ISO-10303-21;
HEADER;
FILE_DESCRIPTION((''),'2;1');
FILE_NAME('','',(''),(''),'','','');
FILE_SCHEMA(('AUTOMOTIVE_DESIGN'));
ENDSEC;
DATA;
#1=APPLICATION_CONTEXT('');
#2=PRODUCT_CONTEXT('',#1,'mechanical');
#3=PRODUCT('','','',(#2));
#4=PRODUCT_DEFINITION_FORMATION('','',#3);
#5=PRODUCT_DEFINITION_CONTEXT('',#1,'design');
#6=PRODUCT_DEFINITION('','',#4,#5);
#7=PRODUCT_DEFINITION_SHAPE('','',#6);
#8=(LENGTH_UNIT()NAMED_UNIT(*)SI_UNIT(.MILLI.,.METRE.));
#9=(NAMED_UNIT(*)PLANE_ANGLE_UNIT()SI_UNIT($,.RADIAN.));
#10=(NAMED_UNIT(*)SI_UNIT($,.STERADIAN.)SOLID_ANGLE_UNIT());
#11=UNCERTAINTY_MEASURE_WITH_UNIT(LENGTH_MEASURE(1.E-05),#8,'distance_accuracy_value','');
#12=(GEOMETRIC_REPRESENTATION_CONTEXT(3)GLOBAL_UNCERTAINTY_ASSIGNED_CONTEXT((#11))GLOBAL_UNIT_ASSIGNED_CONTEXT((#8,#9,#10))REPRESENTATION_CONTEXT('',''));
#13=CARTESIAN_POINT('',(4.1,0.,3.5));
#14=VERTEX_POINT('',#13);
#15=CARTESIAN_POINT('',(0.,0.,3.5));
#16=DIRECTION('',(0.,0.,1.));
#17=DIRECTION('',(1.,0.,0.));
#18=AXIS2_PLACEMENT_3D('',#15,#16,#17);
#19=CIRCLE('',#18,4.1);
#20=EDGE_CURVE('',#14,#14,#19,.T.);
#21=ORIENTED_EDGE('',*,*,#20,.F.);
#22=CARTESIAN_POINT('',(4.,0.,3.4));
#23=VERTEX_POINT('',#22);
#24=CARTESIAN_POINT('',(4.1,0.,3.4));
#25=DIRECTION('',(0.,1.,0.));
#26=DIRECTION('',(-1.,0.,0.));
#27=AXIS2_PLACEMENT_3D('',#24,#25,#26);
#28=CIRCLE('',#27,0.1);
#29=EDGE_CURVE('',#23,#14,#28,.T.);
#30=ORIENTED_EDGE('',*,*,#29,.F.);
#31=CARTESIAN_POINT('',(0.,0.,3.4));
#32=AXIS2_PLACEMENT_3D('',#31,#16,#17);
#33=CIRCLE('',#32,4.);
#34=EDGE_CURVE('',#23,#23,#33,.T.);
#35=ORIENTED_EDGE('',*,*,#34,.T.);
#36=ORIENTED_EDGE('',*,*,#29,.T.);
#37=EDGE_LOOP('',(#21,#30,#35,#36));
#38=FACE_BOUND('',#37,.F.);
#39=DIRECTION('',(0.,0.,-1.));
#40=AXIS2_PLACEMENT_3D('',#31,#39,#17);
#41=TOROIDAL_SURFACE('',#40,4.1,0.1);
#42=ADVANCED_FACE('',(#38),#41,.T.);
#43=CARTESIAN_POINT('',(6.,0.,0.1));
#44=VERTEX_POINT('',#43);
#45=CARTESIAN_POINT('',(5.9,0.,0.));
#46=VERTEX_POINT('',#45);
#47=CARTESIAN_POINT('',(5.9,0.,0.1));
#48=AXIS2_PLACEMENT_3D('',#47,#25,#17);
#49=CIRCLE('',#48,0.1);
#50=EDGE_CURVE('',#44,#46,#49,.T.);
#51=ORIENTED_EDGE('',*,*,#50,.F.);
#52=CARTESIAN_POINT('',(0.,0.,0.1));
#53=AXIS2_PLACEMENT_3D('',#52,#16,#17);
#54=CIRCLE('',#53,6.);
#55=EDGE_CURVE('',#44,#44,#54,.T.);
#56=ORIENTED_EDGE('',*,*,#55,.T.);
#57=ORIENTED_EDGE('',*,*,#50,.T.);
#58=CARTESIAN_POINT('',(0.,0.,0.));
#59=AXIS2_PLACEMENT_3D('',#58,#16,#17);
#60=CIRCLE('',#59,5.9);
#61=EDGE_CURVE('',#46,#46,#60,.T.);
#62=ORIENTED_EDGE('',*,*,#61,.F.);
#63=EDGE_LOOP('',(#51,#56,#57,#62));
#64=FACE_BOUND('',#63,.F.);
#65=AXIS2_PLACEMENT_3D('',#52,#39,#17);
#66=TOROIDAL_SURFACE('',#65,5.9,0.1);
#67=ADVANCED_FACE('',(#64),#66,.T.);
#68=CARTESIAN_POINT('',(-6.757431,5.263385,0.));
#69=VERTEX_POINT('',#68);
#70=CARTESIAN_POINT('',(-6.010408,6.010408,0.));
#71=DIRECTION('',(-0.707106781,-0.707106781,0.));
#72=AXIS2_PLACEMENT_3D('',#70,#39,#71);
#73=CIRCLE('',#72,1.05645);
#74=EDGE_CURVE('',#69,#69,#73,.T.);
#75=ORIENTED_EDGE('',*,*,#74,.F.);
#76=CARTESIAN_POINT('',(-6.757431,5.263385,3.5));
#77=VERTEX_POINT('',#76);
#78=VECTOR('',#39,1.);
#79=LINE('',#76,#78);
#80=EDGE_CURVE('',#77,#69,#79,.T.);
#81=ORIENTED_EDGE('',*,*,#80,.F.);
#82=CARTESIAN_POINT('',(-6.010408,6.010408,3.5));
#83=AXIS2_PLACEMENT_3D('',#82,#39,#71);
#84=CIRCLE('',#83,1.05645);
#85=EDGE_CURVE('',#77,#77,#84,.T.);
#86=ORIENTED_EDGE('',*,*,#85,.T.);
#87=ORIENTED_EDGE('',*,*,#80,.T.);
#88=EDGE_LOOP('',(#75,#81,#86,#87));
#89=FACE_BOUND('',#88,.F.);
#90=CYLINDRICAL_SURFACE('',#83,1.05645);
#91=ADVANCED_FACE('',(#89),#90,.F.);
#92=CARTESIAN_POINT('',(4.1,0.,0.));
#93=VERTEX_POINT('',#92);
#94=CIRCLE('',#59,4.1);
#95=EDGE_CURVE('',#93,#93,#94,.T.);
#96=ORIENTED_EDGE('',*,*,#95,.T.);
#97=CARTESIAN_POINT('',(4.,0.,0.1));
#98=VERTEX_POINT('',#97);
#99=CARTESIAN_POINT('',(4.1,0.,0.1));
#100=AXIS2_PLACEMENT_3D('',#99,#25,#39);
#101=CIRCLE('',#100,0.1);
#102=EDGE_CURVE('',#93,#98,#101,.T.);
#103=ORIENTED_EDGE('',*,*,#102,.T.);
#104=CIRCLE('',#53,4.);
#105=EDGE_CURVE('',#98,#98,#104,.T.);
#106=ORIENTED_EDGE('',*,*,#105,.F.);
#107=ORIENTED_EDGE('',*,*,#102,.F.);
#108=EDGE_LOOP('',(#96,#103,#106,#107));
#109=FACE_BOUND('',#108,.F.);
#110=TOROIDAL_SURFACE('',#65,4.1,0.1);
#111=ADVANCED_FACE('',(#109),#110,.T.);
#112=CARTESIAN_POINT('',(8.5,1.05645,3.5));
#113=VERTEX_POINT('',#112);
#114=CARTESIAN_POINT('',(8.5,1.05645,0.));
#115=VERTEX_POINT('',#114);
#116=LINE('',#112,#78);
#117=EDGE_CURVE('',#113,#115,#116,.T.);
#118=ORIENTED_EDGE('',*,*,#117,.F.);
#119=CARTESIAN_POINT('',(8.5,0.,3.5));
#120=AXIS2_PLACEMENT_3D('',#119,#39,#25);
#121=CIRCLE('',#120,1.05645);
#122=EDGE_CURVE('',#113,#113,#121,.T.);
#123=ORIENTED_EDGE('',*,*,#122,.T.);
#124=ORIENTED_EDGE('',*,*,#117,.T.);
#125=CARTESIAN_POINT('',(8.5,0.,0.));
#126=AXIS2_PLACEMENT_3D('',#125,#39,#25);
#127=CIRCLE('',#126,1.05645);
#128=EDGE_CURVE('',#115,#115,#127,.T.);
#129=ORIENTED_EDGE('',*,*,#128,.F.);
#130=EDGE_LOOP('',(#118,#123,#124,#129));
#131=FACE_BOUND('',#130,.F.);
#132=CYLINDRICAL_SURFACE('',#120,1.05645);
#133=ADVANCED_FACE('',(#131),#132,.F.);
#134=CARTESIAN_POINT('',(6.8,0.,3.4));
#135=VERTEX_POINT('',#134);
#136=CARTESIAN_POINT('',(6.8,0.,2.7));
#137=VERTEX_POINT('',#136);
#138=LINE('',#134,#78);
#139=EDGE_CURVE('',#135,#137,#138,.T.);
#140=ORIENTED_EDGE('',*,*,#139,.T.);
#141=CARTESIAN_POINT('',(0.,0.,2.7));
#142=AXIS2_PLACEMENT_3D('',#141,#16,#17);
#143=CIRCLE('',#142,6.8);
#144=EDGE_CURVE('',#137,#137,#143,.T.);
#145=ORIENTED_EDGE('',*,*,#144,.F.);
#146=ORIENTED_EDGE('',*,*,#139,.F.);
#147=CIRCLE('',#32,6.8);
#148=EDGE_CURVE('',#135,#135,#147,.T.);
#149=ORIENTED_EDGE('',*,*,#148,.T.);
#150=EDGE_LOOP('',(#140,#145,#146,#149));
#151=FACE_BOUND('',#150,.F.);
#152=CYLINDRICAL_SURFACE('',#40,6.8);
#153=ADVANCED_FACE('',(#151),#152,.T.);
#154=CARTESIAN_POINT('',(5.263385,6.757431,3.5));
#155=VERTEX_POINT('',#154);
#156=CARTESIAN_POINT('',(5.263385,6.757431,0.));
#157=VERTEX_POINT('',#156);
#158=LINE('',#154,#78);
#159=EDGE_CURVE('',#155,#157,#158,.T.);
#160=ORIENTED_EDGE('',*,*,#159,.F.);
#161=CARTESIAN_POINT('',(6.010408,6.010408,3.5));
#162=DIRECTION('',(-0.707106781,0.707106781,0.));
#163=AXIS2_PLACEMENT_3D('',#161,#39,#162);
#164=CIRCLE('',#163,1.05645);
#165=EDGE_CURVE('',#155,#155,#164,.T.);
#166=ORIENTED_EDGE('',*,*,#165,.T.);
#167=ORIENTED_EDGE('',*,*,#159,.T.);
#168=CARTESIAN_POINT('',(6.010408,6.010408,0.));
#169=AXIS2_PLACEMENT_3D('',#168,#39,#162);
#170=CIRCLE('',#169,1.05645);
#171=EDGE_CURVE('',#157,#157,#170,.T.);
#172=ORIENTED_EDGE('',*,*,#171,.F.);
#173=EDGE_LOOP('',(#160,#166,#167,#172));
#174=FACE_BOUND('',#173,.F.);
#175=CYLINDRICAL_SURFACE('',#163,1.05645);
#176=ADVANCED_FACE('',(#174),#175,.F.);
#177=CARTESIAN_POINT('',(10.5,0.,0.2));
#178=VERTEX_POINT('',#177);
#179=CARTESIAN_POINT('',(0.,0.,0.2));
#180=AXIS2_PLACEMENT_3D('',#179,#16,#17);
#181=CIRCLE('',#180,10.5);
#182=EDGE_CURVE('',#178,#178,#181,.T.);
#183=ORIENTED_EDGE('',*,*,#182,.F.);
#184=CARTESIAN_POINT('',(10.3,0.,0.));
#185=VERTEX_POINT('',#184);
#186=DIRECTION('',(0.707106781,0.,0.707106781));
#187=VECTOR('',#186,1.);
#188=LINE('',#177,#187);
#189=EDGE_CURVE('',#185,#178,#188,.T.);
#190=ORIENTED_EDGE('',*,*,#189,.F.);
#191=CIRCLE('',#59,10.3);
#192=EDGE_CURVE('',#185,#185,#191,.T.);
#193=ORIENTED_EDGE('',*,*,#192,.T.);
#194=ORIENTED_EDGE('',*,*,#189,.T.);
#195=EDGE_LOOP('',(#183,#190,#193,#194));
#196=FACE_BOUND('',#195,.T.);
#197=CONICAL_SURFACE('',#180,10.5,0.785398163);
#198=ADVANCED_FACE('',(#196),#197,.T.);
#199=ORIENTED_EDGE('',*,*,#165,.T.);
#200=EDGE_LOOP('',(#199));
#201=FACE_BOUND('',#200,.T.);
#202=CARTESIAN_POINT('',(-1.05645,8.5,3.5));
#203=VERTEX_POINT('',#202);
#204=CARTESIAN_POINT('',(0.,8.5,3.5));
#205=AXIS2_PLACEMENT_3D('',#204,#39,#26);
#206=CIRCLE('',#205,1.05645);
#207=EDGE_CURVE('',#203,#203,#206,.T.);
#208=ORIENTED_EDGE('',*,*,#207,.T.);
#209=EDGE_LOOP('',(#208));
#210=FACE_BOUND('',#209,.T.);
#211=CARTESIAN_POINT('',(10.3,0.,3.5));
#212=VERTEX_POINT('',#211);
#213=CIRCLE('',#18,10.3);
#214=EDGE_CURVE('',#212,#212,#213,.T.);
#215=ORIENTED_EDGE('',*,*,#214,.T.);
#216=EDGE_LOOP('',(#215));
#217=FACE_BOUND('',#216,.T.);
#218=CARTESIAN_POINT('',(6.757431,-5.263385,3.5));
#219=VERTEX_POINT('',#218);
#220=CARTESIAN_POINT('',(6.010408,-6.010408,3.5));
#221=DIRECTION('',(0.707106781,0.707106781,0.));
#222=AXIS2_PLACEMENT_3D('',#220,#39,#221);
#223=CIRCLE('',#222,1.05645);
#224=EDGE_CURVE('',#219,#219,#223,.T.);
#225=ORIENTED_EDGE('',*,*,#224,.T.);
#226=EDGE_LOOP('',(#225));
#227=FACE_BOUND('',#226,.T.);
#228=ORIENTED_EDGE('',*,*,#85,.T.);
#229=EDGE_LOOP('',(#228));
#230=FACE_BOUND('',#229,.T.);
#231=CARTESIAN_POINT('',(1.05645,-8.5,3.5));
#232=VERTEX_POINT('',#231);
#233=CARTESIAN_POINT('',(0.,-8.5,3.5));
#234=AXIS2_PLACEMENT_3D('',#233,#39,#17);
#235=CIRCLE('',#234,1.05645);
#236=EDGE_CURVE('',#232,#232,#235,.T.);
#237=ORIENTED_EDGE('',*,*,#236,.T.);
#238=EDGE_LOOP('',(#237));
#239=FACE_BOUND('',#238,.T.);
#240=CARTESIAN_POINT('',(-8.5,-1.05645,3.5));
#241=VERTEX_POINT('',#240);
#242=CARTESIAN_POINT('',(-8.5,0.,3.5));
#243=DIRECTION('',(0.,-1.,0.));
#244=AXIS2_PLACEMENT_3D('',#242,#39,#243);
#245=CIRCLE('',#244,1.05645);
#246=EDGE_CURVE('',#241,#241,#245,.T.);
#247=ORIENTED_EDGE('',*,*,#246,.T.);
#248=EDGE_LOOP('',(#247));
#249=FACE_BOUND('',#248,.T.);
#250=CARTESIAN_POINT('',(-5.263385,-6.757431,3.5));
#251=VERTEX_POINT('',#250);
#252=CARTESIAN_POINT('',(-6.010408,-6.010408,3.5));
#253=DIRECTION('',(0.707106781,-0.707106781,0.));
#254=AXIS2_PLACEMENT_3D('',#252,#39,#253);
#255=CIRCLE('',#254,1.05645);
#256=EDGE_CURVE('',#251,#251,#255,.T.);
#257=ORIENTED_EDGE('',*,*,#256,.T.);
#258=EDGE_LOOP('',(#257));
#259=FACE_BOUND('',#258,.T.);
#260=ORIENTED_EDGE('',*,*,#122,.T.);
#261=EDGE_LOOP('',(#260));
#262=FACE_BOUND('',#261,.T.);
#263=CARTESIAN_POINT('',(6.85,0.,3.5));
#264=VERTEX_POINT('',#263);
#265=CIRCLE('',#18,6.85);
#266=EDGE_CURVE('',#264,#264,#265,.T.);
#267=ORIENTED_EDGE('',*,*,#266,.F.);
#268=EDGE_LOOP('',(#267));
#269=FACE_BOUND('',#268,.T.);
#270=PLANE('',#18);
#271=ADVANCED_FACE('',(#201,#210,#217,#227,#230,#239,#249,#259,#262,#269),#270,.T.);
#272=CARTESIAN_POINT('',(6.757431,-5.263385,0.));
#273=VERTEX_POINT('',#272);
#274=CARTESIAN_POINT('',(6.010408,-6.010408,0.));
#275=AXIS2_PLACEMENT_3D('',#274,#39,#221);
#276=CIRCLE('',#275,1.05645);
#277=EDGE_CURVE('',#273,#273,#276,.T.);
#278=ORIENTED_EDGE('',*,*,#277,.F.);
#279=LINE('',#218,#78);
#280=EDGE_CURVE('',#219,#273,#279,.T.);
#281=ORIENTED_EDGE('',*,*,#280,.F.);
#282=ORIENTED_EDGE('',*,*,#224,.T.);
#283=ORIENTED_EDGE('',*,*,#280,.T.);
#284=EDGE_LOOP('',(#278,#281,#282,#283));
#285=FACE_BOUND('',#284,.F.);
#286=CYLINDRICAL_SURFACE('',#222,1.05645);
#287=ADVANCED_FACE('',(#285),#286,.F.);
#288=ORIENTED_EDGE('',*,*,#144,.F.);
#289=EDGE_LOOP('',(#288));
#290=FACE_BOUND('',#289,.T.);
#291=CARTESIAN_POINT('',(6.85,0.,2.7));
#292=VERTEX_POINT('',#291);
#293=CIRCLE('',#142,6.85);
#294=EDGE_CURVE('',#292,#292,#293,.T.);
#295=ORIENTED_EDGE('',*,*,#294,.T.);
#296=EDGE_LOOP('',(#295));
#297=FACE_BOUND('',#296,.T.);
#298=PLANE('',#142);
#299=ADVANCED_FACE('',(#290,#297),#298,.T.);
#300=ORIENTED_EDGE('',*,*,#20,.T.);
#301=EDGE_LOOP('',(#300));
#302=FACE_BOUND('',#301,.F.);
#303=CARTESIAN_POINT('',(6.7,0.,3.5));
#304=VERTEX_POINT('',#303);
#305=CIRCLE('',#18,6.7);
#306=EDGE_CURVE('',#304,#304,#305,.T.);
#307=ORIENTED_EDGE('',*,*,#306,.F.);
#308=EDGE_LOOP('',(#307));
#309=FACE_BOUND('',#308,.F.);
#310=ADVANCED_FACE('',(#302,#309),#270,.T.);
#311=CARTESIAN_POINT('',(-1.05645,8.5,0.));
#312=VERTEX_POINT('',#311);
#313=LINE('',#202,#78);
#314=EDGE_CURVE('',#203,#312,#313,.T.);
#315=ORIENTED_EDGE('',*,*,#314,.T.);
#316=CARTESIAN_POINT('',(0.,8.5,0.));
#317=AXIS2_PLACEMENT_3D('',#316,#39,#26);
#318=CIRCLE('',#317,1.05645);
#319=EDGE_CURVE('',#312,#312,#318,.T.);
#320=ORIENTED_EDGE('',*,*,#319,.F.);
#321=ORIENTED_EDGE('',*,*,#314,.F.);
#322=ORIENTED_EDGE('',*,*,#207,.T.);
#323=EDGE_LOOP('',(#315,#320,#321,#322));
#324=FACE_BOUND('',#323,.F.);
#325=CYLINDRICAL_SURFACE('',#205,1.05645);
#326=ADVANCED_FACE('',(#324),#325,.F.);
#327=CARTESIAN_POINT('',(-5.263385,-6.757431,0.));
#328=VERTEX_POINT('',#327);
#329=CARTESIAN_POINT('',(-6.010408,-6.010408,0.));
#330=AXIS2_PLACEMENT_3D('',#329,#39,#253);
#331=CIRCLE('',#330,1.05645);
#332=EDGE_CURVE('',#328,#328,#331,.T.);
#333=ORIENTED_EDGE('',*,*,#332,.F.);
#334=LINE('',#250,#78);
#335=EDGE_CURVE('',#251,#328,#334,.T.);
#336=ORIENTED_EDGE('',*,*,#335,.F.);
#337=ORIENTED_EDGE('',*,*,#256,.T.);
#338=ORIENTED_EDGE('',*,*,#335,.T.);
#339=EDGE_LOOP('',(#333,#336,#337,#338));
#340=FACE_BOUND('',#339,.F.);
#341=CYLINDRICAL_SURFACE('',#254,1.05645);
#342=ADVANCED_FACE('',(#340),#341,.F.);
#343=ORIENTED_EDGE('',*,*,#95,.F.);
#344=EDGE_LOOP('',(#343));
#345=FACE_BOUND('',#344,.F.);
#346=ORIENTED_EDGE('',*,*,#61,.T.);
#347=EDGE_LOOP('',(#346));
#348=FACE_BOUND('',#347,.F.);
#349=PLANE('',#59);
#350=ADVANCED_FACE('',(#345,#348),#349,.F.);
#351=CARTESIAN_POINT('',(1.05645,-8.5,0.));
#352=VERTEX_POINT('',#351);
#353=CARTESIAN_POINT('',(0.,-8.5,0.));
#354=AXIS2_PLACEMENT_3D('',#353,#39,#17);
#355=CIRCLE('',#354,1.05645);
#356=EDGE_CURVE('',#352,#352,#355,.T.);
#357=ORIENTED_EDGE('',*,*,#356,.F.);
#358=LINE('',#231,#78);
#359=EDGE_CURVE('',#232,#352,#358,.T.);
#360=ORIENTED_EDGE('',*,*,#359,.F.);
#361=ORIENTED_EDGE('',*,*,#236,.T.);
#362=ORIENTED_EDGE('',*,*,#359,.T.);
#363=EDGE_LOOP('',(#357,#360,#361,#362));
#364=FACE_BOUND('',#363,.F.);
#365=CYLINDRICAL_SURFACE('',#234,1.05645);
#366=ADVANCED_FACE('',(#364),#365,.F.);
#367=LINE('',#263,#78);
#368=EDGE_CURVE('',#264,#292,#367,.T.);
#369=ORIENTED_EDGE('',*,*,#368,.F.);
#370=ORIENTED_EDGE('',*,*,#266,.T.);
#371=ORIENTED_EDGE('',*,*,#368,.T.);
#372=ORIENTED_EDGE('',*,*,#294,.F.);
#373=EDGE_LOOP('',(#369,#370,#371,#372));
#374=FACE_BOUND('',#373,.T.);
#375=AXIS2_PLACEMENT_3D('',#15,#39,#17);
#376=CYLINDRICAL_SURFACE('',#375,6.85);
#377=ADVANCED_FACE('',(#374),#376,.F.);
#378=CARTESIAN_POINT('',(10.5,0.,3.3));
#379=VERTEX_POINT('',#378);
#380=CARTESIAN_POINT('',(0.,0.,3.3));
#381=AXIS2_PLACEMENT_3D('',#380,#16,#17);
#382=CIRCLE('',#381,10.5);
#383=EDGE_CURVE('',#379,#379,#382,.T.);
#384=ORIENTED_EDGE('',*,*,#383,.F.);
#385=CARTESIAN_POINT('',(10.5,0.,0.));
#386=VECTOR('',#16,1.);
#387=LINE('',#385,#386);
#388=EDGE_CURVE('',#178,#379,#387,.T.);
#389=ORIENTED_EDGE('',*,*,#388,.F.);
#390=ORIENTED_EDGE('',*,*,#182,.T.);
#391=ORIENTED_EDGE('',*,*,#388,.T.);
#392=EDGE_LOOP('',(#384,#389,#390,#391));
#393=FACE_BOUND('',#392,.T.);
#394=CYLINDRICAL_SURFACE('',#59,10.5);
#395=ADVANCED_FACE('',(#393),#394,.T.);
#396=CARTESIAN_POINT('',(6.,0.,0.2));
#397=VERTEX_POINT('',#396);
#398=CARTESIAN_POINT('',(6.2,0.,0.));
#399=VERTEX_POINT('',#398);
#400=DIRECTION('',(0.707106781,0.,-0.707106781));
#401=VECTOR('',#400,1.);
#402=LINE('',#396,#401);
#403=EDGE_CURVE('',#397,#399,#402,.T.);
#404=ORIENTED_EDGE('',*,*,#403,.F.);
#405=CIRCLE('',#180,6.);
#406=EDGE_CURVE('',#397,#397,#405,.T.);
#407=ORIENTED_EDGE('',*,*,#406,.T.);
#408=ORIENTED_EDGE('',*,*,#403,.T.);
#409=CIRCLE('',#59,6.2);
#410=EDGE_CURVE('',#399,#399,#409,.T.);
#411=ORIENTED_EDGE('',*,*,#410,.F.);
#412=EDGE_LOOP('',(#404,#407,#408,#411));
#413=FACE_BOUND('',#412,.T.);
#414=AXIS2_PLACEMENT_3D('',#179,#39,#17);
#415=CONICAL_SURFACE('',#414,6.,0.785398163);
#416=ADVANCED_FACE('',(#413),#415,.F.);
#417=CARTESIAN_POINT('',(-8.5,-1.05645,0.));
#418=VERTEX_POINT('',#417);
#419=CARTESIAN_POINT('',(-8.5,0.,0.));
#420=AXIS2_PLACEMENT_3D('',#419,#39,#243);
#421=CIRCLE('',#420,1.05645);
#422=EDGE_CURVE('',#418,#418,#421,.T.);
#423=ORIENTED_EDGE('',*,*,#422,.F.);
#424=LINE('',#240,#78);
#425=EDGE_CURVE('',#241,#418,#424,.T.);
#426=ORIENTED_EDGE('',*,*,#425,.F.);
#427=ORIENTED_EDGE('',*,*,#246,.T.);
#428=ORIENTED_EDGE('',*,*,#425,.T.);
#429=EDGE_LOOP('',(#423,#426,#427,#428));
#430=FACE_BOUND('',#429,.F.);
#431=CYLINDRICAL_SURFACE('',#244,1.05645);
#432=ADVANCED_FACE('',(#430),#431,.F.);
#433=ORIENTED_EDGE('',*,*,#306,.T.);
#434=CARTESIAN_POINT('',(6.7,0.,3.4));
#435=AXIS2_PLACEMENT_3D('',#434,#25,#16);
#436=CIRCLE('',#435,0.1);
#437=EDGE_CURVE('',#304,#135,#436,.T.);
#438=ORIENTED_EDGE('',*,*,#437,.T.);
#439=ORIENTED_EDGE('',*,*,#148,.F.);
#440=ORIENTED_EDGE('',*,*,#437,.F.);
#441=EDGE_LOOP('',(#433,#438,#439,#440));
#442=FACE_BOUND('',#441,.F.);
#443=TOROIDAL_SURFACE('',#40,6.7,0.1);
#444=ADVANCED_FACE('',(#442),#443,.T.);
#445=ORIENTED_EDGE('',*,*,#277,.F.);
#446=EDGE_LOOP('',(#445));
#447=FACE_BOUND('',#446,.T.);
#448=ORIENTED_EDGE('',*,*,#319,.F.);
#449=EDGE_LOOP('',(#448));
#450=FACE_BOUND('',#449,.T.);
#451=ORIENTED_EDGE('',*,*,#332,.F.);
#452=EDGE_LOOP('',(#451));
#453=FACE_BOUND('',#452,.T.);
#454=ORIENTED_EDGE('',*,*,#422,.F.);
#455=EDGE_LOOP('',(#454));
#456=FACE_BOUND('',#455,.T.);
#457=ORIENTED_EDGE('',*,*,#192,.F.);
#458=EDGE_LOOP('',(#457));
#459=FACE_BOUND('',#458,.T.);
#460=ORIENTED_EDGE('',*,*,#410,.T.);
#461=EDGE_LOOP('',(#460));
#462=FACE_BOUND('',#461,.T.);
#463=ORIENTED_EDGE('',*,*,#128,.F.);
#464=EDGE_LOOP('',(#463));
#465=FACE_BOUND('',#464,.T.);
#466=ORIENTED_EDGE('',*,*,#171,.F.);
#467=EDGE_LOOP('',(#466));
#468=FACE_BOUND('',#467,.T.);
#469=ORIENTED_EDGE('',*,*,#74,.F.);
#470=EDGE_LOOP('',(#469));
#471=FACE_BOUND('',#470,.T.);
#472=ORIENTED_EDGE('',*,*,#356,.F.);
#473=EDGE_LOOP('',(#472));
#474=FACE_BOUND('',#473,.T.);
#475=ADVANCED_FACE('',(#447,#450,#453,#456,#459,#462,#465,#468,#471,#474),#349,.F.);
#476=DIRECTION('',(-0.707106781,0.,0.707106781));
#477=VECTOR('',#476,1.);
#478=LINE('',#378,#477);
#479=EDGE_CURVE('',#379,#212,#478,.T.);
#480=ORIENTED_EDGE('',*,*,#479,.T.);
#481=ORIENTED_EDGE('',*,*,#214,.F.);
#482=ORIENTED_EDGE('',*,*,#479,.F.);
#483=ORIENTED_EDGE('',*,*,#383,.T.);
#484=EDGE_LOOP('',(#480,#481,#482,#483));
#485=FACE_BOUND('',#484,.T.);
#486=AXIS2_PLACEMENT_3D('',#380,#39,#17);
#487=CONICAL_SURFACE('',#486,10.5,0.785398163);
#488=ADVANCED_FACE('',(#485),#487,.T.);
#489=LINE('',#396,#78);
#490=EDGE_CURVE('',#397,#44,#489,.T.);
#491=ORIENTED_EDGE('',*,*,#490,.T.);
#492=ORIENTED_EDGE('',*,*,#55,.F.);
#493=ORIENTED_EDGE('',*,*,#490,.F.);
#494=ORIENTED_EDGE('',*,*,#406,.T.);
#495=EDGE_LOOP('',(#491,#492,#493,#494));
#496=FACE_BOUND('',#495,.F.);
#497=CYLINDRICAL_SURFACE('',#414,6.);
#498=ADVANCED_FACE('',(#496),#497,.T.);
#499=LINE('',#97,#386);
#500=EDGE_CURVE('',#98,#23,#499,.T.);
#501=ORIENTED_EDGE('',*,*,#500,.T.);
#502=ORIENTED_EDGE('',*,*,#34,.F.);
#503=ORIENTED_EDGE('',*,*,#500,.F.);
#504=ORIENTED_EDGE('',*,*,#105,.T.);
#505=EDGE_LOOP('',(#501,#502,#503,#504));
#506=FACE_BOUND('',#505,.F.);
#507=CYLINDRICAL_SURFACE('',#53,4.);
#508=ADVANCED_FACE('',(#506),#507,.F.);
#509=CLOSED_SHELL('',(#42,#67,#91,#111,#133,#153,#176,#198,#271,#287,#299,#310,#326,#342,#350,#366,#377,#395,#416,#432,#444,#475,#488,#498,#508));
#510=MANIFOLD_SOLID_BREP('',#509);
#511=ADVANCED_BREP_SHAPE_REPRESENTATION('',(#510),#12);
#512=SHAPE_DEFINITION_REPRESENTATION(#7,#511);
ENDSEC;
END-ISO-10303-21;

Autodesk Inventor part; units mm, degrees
ref_plane "YZ Plane" through (0, 0, 0) normal (1, 0, 0) x (0, 1, 0)
ref_plane "XZ Plane" through (0, 0, 0) normal (0, 1, 0) x (-1, 0, 0)
ref_plane "XY Plane" through (0, 0, 0) normal (0, 0, 1) x (1, 0, 0)
sketch "スケッチ1" plane through (0, 0, 0) normal (0, 1, 0) x (-1, 0, 0)
  line L0 (-6.2, 0) -> (-10.5, 0)
  line L1 (-10.5, 0) -> (-10.5, 3.5)
  line L2 (-10.5, 3.5) -> (-6.85, 3.5)
  line L3 (-6.85, 3.5) -> (-6.85, 2.7)
  line L4 (-6.85, 2.7) -> (-6.8, 2.7)
  line L5 (-6.8, 3.4) -> (-6.8, 2.7)
  line L6 (-6, 0.2) -> (-6, 0.1)
  line L7 (-5.9, 0) -> (-4.1, 0)
  line L8 (-4, 0.1) -> (-4, 3.4)
  line L9 (-4.1, 3.5) -> (-6.7, 3.5)
  line L10 (0, -0.729) -> (0, 4.229) projected
  line L11 (-6, 0.2) -> (-6.2, 0)
  arc A0 (-6.7, 3.5) -> (-6.8, 3.4) centre (-6.7, 3.4) ccw
  arc A1 (-4, 3.4) -> (-4.1, 3.5) centre (-4.1, 3.4) ccw
  arc A2 (-4.1, 0) -> (-4, 0.1) centre (-4.1, 0.1) ccw
  arc A3 (-6, 0.1) -> (-5.9, 0) centre (-5.9, 0.1) ccw
  line L12 (2.1, 0) -> (-12.6, 0) projected
  point P0 (0, 0)
  point P1 (-6.8, 3.5)
  point P2 (-6, 0)
  point P3 (-4, 0)
  point P4 (-4, 3.5)
  dimension "d0" = 8
  dimension "d1" = 21
  dimension "d2" = 0.8
  dimension "d3" = 0.1
  dimension "d4" = 13.7
  dimension "d5" = 13.6
  dimension "d6" = 0.2
  dimension "d7" = 0.2
  dimension "d8" = 12
  dimension "d9" = 3.5
revolve "回転1" add sketch "スケッチ1" angle 360 about axis through (0, 0, -10) along (0, 0, 1) contours L0 L1 L2 L3 L4 L5 A0 L9 A1 L8 A2 L7 A3 L6 L11
sketch "スケッチ2" plane through (0, 0, 3.5) normal (0, 0, 1) x (1, 0, 0)
  line L0 (-14.7, 0) -> (14.7, 0) projected
  point P0 (0, 0)
  point P1 (-8.5, 0)
  dimension "d12" = 8.5
hole "穴1" at (-8.5, 0, 3.5) direction (0, 0, -1) diameter 2.1129 end through all thread size "M2.6x0.45" class "6H" standard "ISO Metric profile"
pattern_circular "円形状パターン1" count 8 over 360 about axis through (0, 0, -10) along (0, 0, 1) of "穴1"
chamfer "面取り1" distance 0.2 angle 45 2 edges at (-10.5, 0, 3.5) (-10.5, 0, 0)
properties part number "FreeHorn_" material "アルミニウム 2014-T4"
